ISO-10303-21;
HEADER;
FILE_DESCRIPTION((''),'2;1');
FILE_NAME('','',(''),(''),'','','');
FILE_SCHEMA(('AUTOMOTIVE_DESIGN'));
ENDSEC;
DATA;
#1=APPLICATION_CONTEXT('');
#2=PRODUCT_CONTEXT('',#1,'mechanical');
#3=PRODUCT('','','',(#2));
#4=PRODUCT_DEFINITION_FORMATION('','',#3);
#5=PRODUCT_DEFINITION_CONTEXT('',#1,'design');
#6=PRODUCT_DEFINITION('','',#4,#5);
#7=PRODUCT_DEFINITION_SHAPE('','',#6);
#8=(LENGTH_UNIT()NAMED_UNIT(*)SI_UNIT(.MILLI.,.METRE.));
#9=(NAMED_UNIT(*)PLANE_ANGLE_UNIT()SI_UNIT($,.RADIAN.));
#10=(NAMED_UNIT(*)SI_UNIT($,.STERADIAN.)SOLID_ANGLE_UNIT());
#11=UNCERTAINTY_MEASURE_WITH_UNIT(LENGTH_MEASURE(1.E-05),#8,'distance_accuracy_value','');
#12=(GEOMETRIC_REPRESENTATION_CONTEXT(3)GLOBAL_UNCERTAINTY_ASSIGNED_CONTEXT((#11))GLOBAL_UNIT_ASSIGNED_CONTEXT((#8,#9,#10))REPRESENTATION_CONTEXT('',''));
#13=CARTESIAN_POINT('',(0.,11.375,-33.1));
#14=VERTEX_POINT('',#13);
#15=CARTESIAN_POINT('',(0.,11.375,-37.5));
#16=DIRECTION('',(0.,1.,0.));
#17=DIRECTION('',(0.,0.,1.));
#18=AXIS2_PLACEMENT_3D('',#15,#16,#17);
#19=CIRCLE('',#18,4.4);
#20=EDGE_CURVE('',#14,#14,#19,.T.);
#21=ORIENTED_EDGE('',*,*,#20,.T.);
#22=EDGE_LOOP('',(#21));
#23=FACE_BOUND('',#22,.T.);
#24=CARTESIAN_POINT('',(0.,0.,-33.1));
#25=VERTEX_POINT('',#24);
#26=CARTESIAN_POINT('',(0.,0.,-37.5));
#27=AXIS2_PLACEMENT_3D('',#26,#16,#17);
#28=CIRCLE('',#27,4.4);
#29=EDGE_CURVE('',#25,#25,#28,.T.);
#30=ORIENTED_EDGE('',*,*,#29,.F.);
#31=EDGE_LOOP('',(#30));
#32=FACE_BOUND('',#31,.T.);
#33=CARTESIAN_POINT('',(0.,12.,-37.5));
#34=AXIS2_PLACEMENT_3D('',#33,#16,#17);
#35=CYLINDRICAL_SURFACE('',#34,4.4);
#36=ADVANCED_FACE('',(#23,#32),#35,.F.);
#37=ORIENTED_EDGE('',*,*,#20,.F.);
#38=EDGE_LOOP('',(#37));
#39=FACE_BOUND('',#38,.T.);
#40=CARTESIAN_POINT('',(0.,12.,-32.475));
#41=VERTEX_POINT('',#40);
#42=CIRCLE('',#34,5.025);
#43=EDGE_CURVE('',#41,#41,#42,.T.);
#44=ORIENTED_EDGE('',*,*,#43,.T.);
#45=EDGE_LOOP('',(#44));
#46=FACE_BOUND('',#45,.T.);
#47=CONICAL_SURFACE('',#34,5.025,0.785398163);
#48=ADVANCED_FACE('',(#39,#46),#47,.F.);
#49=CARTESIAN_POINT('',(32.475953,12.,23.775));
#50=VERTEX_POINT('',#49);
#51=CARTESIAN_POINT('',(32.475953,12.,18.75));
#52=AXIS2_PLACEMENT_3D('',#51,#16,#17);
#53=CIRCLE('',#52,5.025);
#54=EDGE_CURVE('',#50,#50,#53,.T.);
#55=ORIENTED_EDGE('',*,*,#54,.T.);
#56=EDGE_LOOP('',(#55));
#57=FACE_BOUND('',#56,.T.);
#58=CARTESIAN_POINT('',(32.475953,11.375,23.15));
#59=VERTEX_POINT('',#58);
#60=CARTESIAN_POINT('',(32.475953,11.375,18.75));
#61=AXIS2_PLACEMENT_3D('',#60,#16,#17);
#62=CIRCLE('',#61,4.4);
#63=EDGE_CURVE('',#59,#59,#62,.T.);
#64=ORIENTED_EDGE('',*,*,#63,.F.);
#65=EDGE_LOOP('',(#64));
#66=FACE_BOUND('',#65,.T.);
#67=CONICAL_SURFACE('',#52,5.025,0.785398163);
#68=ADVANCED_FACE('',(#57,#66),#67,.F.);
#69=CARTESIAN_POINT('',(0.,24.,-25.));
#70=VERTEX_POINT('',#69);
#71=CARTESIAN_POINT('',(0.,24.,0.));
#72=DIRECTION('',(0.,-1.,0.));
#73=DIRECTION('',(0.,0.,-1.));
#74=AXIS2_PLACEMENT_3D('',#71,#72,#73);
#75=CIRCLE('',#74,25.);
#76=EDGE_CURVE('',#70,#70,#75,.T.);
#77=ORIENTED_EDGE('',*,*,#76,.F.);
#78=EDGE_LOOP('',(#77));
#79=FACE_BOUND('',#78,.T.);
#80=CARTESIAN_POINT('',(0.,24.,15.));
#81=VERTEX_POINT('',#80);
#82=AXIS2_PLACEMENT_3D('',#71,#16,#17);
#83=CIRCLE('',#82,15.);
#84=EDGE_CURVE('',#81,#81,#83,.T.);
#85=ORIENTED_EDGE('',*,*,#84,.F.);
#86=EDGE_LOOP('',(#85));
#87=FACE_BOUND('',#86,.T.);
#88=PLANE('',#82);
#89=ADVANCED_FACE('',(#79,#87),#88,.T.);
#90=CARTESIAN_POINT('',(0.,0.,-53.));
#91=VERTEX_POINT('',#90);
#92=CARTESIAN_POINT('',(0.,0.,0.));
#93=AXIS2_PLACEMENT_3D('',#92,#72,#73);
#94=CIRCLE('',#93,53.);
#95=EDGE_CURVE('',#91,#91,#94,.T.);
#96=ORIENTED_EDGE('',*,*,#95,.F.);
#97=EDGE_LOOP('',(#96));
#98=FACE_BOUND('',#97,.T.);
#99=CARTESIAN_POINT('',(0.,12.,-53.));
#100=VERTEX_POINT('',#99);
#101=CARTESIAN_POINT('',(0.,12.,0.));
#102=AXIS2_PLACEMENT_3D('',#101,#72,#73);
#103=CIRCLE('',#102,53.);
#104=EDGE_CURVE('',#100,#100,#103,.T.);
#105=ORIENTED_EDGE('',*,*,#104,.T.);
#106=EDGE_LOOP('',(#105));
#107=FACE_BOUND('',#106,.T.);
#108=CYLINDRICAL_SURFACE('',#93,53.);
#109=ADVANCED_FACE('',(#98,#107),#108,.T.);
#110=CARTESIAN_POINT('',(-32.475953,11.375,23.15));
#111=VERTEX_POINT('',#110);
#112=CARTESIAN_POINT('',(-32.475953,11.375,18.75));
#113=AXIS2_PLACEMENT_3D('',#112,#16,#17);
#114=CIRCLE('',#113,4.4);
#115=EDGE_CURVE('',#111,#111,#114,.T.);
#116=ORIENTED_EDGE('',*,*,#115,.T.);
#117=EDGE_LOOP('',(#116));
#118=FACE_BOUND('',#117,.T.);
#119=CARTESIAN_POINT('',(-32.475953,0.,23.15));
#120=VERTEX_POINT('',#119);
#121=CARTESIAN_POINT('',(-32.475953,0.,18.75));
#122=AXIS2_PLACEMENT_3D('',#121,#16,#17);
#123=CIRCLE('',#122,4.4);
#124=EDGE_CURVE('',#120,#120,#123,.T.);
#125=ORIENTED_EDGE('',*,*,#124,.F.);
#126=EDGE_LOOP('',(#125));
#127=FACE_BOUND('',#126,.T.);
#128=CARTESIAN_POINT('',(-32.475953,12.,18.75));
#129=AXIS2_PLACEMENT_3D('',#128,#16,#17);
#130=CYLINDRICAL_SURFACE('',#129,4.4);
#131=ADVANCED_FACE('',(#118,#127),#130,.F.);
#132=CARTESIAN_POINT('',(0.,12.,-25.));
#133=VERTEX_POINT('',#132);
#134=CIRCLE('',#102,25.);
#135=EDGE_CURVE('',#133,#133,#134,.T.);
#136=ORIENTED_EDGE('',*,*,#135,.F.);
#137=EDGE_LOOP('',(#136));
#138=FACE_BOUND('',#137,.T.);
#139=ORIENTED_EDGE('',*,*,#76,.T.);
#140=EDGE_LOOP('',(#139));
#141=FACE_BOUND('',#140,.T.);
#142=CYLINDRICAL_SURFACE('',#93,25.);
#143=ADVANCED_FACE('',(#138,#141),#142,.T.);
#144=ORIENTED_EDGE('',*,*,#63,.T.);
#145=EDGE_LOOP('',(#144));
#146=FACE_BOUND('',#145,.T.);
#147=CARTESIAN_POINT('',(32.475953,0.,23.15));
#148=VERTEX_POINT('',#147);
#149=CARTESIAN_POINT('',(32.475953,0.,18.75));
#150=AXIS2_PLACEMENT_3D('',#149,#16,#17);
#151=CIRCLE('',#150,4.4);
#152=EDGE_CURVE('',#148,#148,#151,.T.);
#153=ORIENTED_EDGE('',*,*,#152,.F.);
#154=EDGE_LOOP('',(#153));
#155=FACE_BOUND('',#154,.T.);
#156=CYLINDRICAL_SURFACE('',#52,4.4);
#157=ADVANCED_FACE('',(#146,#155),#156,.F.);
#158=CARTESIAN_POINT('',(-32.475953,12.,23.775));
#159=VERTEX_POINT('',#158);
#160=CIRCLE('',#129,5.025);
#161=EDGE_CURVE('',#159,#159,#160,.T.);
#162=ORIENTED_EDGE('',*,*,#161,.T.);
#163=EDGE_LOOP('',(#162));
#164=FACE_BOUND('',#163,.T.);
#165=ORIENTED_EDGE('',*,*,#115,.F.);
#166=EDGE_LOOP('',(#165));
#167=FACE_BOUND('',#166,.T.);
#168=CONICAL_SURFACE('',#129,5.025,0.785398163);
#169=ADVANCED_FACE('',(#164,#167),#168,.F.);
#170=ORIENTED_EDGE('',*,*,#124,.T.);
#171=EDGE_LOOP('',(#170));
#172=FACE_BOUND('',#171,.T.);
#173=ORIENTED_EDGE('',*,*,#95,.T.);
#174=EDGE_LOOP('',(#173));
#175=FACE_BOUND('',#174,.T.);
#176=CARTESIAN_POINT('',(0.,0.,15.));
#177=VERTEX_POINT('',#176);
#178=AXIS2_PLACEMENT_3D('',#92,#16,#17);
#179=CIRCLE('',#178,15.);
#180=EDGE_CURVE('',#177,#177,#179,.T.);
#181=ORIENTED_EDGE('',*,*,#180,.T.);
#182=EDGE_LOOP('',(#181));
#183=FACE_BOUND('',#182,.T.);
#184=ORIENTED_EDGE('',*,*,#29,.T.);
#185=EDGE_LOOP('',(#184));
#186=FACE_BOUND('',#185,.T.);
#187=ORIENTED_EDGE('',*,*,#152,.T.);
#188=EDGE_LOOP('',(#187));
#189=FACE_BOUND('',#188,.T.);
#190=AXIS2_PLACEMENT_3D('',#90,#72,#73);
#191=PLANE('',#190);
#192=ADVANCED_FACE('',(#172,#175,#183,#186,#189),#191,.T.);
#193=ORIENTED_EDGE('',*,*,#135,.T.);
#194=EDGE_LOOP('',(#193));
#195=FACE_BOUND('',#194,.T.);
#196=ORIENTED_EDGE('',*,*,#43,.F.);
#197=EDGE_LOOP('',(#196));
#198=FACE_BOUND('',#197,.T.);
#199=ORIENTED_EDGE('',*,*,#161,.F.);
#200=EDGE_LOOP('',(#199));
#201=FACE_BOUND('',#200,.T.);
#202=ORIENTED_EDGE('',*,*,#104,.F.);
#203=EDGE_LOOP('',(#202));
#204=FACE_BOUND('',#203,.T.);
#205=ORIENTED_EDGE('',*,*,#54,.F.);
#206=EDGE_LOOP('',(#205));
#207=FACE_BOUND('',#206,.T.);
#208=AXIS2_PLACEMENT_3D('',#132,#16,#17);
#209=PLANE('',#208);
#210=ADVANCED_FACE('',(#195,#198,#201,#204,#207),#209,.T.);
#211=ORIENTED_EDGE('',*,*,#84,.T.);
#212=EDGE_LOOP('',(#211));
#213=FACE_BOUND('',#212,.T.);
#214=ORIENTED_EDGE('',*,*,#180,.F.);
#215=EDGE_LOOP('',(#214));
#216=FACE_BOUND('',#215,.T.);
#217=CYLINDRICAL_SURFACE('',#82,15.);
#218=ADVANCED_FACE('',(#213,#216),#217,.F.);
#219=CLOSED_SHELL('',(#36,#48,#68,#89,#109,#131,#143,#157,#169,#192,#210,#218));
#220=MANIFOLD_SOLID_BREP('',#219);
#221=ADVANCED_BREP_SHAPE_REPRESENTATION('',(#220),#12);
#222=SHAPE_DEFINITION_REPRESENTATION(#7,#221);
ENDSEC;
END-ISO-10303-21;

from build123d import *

# Parameters (mm, degrees)
HOLE1_D                           = 30
M10X1_25_TAPPED_HOLE1_D           = 8.8
M10X1_25_TAPPED_HOLE1_CSINK_D     = 10.05
M10X1_25_TAPPED_HOLE1_CSINK_ANGLE = 90
CIRPATTERN1_COUNT                 = 3


with BuildPart() as part:
    # Sketch1 → Revolve1 (revolve)
    with BuildSketch(Plane(origin=(0, 0, 0), x_dir=(0, 0, -1), z_dir=(1, 0, 0))):
        Polygon((0, 0), (0, 24), (25, 24), (25, 12), (53, 12), (53, 0), align=None)
    revolve(axis=Axis((0, 0, 0), (0, 1, 0)))

    # Hole1 (through all)
    with Locations(Plane(origin=(0, 24, 0), x_dir=(1, 0, 0), z_dir=(0, 1, 0))):
        with Locations((0, 0)):
            Hole(HOLE1_D / 2)

    # M10x1.25 Tapped Hole1 (through all)
    with Locations(Plane(origin=(0, 12, 0), x_dir=(1, 0, 0), z_dir=(0, 1, 0))):
        with Locations((0, 37.5)):
            m10x1_25_tapped_hole1 = CounterSinkHole(M10X1_25_TAPPED_HOLE1_D / 2, M10X1_25_TAPPED_HOLE1_CSINK_D / 2, counter_sink_angle=M10X1_25_TAPPED_HOLE1_CSINK_ANGLE)

    # CirPattern1: M10x1.25 Tapped Hole1 ×3 about axis
    cirpattern1_axis = Axis((0, 0, 0), (0, 1, 0))
    for i in range(1, CIRPATTERN1_COUNT):
        add(m10x1_25_tapped_hole1.rotate(cirpattern1_axis, i * 360 / CIRPATTERN1_COUNT), mode=Mode.SUBTRACT)


solid = part.part
